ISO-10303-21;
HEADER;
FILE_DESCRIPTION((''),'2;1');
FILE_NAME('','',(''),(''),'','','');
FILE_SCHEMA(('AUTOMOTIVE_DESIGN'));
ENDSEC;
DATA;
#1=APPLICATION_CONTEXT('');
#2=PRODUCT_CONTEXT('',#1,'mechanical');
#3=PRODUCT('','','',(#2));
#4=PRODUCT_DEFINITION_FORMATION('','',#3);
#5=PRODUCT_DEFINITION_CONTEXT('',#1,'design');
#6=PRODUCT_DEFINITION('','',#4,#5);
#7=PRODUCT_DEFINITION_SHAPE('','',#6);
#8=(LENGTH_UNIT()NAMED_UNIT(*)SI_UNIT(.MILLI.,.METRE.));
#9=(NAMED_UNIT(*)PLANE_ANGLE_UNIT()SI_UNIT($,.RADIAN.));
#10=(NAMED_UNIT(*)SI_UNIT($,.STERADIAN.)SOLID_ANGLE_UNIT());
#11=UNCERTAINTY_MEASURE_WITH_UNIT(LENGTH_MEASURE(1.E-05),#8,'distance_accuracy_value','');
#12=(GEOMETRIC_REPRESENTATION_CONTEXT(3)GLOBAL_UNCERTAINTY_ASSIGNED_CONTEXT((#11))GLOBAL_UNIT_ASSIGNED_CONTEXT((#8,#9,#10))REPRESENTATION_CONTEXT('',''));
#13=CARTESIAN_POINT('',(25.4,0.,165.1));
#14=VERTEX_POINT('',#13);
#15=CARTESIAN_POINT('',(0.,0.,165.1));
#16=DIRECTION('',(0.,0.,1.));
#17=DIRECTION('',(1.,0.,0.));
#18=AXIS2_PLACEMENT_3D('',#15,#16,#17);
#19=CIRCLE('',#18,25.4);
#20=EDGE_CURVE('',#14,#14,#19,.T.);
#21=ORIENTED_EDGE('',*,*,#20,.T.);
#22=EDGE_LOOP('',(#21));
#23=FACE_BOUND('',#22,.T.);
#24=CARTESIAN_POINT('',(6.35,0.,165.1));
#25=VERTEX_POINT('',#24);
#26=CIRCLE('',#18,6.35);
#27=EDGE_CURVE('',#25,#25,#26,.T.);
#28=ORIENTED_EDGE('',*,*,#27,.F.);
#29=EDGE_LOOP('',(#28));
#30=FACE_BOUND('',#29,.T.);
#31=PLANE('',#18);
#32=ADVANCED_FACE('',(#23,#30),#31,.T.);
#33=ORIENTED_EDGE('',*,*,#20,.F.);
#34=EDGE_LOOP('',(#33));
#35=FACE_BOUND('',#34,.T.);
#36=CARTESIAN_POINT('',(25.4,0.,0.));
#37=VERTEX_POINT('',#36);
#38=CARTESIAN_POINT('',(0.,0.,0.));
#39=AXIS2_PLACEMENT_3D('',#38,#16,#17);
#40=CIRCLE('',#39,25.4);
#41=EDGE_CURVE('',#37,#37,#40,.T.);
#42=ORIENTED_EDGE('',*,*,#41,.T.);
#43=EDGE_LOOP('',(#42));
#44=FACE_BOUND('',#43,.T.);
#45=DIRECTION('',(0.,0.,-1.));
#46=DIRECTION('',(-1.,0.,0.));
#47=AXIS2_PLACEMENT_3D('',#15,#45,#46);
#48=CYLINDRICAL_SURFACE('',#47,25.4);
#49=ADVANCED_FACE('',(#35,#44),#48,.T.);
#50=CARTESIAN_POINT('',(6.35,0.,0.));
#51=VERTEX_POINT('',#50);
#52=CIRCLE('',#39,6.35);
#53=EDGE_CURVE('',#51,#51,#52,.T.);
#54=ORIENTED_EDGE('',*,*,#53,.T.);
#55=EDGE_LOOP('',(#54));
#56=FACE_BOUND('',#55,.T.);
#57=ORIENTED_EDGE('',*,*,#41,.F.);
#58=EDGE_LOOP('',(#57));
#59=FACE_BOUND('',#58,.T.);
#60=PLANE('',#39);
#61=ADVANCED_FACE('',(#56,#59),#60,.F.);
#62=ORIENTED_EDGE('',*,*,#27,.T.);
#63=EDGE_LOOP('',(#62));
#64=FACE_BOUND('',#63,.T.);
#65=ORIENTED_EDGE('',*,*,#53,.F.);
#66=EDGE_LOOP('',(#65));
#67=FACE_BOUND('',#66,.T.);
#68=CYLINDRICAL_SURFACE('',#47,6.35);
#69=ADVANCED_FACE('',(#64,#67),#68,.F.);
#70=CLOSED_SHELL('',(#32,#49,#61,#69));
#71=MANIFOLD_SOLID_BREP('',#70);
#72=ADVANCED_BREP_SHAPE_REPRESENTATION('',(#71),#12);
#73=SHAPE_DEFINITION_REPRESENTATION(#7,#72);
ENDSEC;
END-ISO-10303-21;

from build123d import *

# Parameters (mm, degrees)
SKETCH1_R           = 25.4
SKETCH1_R_2         = 6.35
BOSS_EXTRUDE1_DEPTH = 165.1


with BuildPart() as part:
    # Sketch1 → Boss-Extrude1 (new body)
    with BuildSketch(Plane.XY):
        Circle(SKETCH1_R)
        Circle(SKETCH1_R_2, mode=Mode.SUBTRACT)
    extrude(amount=BOSS_EXTRUDE1_DEPTH)


solid = part.part
